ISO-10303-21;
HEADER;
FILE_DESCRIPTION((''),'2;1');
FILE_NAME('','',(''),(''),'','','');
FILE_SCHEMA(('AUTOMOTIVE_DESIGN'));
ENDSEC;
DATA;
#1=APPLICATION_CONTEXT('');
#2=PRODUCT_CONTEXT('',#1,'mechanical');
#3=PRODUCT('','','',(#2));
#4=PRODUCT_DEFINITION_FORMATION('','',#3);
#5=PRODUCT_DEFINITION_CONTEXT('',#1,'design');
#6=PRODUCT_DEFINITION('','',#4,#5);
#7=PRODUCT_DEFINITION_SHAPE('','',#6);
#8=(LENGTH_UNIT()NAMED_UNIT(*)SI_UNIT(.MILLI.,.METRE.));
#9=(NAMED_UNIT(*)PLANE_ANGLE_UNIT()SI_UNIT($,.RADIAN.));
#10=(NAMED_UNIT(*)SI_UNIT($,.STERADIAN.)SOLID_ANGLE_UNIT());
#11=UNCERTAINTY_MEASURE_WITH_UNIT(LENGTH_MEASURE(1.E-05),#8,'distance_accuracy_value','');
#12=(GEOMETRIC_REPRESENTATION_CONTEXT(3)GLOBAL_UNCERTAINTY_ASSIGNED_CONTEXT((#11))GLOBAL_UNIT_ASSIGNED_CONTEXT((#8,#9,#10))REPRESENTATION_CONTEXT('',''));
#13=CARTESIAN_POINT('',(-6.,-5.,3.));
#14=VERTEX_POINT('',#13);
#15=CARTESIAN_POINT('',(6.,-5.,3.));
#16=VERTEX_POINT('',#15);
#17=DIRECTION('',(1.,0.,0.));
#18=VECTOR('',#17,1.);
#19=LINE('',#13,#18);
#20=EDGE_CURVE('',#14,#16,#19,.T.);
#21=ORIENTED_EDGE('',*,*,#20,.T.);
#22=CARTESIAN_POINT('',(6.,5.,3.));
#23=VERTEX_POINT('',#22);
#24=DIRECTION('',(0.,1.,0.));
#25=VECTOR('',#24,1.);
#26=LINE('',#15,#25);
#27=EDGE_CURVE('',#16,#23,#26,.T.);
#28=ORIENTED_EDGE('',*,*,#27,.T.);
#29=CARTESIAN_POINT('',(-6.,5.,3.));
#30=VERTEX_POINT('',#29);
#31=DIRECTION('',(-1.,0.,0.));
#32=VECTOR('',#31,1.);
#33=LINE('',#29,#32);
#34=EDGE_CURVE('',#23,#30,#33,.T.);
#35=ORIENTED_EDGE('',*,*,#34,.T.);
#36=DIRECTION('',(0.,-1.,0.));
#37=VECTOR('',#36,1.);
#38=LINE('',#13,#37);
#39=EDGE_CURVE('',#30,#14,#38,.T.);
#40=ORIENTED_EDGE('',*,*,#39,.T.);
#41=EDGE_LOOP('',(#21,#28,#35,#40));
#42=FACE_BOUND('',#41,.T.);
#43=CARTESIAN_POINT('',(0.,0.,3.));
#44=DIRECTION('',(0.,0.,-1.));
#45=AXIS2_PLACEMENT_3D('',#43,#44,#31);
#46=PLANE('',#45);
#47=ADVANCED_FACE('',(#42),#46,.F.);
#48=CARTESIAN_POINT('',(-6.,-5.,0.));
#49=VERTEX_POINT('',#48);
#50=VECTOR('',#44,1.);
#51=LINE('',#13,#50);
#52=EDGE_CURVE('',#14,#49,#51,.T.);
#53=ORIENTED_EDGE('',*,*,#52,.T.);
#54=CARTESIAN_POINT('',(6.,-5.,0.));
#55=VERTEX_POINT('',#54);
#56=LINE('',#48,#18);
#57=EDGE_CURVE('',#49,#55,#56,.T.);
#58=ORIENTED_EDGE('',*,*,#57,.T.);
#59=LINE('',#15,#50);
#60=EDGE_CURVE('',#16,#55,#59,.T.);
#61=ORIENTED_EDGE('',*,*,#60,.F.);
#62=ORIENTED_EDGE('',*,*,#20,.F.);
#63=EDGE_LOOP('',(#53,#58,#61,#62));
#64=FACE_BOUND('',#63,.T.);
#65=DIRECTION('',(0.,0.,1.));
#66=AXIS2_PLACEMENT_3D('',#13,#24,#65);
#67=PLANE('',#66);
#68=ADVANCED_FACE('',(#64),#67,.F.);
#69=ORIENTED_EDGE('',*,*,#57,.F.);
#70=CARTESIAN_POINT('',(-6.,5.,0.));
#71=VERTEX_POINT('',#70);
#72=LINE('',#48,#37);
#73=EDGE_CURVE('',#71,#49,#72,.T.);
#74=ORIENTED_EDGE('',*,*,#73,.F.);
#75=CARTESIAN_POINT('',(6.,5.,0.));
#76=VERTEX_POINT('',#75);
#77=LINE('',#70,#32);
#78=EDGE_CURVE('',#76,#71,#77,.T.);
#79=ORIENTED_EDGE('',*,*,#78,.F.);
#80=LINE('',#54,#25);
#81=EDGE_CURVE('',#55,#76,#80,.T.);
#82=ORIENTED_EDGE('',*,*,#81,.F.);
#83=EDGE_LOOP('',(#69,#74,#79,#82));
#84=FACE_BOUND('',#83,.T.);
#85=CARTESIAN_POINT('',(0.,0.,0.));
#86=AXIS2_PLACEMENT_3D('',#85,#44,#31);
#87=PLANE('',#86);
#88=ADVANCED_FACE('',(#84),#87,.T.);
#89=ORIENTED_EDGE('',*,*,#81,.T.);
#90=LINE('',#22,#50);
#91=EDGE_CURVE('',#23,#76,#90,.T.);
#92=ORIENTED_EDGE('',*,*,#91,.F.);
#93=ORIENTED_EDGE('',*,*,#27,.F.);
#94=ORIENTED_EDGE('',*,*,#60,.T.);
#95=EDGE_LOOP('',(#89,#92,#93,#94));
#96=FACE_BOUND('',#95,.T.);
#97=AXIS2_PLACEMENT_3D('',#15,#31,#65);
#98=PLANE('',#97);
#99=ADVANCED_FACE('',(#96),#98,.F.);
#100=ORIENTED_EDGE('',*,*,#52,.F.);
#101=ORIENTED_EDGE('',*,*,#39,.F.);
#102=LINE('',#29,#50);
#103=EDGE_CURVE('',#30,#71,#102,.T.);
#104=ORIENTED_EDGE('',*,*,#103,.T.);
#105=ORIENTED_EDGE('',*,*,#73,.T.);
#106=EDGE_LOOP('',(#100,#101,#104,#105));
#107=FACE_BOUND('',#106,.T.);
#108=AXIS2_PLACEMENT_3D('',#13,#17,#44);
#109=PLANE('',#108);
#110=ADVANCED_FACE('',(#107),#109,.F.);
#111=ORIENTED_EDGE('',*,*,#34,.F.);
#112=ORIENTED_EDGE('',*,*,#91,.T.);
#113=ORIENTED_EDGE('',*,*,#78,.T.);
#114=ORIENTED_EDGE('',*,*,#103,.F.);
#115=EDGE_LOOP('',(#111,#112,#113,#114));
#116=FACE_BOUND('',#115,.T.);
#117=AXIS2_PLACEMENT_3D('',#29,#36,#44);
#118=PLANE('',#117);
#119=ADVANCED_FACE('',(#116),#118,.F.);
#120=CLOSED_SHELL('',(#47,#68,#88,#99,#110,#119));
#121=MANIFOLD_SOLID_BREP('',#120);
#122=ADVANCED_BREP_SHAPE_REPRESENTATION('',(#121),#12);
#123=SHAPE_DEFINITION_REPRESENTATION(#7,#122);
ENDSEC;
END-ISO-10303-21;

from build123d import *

# Parameters (mm, degrees)
SKETCH1_W           = 12
SKETCH1_H           = 10
BOSS_EXTRUDE1_DEPTH = 3


with BuildPart() as part:
    # Sketch1 → Boss-Extrude1 (new body)
    with BuildSketch(Plane.XY):
        Rectangle(SKETCH1_W, SKETCH1_H)
    extrude(amount=BOSS_EXTRUDE1_DEPTH)


solid = part.part
